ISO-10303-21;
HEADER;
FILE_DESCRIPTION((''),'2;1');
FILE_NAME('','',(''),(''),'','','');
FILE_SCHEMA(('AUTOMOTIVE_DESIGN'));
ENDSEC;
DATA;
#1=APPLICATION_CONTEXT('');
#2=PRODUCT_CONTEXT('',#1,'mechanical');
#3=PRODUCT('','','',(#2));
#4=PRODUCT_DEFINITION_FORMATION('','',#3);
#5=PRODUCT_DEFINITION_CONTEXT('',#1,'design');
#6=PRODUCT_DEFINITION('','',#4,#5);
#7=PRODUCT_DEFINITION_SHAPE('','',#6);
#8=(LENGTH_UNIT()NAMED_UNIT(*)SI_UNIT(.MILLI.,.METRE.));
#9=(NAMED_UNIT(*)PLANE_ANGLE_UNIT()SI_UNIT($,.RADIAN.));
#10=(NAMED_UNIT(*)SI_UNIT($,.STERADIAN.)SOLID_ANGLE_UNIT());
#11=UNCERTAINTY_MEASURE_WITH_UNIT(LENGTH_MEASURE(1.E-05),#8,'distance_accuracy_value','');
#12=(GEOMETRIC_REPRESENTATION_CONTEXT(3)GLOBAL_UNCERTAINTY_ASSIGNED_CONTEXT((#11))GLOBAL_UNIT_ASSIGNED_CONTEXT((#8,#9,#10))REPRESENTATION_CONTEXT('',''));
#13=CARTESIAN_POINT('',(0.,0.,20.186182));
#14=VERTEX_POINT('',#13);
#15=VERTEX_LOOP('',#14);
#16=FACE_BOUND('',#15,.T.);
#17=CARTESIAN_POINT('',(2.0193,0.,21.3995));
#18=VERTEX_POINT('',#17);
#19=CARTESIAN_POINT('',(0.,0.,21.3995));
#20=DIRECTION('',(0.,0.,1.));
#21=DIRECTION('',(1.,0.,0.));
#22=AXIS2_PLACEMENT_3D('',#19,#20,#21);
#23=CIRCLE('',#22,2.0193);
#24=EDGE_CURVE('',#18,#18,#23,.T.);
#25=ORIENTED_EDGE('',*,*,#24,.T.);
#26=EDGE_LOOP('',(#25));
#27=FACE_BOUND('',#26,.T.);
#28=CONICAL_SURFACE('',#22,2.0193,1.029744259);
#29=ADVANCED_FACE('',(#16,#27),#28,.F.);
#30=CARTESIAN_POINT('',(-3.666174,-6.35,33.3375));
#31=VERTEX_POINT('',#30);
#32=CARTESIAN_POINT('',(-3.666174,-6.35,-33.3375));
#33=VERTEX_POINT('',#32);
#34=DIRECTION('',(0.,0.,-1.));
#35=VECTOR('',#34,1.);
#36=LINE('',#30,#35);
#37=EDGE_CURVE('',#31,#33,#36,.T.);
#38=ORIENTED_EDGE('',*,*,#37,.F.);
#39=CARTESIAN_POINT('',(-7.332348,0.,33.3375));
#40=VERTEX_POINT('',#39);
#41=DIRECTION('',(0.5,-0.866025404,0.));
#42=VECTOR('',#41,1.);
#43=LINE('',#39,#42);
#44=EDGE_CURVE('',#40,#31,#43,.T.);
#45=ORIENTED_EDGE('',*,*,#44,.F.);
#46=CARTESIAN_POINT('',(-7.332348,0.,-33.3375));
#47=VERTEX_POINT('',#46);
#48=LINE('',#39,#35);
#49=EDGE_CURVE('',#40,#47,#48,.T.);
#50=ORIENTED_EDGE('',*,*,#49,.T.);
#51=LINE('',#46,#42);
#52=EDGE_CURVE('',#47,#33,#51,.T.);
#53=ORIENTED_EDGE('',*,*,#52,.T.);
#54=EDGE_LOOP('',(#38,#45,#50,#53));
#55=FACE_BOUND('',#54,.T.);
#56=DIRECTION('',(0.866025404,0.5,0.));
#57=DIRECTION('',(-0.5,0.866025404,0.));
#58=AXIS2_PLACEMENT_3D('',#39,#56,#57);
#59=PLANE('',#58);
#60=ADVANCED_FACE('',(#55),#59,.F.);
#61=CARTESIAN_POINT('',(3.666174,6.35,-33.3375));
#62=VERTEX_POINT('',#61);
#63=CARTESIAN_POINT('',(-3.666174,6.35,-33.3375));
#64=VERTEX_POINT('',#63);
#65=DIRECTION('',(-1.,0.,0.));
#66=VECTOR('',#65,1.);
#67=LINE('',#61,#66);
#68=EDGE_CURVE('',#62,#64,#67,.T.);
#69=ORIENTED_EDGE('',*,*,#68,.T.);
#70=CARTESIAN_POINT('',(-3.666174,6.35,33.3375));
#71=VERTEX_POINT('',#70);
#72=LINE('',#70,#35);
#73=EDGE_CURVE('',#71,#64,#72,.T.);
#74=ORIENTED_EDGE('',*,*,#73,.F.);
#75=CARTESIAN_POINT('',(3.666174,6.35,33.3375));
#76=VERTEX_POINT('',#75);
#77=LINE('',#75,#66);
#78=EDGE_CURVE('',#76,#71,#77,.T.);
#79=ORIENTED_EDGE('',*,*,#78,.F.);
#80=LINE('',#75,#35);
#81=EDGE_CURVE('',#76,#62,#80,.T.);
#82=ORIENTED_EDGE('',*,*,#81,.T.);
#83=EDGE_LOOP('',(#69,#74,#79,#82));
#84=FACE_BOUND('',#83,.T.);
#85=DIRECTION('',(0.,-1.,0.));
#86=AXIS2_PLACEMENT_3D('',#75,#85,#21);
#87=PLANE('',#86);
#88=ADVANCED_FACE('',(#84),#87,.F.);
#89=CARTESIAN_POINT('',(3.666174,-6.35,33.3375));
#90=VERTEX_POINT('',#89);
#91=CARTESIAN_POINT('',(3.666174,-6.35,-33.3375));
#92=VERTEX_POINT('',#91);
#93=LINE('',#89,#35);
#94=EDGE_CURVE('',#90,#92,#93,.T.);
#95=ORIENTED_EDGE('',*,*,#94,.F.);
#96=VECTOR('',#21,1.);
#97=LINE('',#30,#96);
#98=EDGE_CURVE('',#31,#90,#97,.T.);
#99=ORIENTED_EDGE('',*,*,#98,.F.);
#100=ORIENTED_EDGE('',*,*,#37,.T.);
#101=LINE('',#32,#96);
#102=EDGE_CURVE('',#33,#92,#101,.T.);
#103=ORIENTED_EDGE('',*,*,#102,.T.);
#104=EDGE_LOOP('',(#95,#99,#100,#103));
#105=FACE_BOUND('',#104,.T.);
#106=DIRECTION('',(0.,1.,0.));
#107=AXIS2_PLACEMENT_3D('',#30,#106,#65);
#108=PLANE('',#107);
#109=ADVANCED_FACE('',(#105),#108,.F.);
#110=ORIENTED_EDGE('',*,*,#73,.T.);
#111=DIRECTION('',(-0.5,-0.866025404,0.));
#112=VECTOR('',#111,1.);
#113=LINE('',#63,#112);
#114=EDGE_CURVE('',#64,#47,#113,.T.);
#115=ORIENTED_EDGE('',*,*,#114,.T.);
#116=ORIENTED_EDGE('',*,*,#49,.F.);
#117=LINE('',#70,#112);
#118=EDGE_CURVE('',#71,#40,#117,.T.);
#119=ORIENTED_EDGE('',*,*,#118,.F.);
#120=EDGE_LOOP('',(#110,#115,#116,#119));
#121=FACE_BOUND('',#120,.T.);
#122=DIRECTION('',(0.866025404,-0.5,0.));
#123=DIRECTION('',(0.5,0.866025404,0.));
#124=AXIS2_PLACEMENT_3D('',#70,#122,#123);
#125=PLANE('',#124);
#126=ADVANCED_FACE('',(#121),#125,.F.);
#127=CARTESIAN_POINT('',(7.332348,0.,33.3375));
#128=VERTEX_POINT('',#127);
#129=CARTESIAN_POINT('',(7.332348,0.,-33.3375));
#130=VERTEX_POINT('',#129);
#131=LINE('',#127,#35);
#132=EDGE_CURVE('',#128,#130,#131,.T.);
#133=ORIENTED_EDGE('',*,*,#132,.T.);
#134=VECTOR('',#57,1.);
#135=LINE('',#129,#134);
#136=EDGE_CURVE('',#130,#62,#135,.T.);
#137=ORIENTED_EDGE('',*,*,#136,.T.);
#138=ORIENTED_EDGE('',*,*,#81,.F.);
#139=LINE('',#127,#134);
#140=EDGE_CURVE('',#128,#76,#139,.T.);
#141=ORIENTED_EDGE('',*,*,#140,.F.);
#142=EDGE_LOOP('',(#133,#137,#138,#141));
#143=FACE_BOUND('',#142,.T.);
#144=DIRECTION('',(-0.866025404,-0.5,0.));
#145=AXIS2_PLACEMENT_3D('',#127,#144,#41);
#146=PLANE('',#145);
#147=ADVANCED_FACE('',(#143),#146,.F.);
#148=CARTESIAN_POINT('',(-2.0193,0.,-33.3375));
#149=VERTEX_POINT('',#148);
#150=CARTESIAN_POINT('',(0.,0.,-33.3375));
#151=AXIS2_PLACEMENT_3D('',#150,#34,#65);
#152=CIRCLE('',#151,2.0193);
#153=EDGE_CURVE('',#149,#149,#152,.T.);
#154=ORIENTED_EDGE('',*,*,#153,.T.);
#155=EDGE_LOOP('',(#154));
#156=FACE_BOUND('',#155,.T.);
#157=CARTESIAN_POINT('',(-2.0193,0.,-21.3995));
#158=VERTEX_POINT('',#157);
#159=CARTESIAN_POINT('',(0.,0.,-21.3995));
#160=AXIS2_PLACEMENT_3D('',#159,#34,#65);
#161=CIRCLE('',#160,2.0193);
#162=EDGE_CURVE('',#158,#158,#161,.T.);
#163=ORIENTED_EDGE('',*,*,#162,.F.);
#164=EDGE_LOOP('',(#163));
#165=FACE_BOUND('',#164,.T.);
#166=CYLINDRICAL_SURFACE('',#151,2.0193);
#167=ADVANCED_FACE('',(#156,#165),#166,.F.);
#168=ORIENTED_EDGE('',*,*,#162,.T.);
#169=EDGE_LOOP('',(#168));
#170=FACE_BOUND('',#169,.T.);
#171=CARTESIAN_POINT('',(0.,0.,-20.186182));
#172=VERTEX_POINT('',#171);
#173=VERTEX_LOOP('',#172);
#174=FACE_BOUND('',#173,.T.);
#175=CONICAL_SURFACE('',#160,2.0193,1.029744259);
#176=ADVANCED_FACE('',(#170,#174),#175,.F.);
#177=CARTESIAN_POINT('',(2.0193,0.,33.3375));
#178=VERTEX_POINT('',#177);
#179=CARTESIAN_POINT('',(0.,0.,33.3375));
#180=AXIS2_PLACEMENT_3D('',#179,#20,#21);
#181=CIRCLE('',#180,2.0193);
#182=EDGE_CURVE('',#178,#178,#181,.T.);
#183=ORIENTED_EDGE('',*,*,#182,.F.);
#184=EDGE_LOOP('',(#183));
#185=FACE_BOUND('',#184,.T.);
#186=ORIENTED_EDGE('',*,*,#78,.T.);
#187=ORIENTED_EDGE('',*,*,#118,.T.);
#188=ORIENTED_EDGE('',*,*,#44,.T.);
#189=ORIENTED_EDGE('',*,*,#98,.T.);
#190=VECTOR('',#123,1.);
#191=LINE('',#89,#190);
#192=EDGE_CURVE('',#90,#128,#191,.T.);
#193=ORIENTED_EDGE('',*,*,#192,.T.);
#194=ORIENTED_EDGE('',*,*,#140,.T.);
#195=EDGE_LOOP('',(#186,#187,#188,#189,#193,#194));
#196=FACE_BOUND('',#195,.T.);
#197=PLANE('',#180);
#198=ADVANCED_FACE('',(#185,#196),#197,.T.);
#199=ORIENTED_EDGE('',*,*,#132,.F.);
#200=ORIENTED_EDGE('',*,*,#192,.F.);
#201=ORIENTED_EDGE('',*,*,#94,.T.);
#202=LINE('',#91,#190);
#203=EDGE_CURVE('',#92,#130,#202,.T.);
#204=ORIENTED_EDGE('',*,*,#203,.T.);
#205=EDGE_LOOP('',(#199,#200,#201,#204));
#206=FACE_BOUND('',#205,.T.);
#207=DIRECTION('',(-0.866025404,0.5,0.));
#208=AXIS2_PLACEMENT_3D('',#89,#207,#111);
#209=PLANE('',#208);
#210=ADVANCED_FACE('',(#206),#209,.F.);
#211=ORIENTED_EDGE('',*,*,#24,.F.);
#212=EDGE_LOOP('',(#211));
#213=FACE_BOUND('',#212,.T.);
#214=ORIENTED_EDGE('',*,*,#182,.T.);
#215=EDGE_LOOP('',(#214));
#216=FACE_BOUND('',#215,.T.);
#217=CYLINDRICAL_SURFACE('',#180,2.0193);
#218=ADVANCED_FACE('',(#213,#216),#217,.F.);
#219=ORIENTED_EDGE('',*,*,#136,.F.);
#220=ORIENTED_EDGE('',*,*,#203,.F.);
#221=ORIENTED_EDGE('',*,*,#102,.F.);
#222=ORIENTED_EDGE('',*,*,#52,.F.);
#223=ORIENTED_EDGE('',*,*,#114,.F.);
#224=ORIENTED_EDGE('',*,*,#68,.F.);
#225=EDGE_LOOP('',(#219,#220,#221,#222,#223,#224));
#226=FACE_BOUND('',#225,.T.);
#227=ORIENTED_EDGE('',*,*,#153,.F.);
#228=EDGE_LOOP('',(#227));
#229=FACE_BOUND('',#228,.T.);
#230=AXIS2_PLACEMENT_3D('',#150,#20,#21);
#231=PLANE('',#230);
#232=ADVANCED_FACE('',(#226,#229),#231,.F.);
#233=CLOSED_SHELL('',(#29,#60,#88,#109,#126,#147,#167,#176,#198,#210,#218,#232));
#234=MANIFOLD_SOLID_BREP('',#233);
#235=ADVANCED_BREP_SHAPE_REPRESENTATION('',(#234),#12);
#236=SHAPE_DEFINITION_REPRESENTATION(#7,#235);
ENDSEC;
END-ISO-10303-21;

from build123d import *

# Parameters (mm, degrees)
BOSS_EXTRUDE1_DEPTH                  = 33.3375
F_10_32_TAPPED_HOLE1_D               = 4.0386
F_10_32_TAPPED_HOLE1_DEPTH           = 11.938
F_10_32_TAPPED_HOLE1_TIP             = 1.213317848
F_10_32_TAPPED_HOLE1_ON_FACE_2_D     = 4.0386
F_10_32_TAPPED_HOLE1_ON_FACE_2_DEPTH = 11.938
F_10_32_TAPPED_HOLE1_ON_FACE_2_TIP   = 1.213317848


with BuildPart() as part:
    # Sketch1 → Boss-Extrude1 (new, symmetric)
    with BuildSketch(Plane.XY):
        Polygon((-7.332348419, 0), (-3.666174209, -6.35), (3.666174209, -6.35), (7.332348419, 0), (3.666174209, 6.35), (-3.666174209, 6.35), align=None)
    extrude(amount=BOSS_EXTRUDE1_DEPTH, both=True)

    # #10-32 Tapped Hole1
    with Locations(Plane.XY.offset(33.3375)):
        with Locations((0, 0)):
            Hole(F_10_32_TAPPED_HOLE1_D / 2, depth=F_10_32_TAPPED_HOLE1_DEPTH)
            with Locations((0, 0, -(F_10_32_TAPPED_HOLE1_DEPTH + F_10_32_TAPPED_HOLE1_TIP / 2))):  # 118° drill point
                Cone(0, F_10_32_TAPPED_HOLE1_D / 2, F_10_32_TAPPED_HOLE1_TIP, mode=Mode.SUBTRACT)

    # #10-32 Tapped Hole1 on face 2
    with Locations(Plane(origin=(0, 0, -33.3375), x_dir=(-1, 0, 0), z_dir=(0, 0, -1))):
        with Locations((0, 0)):
            Hole(F_10_32_TAPPED_HOLE1_ON_FACE_2_D / 2, depth=F_10_32_TAPPED_HOLE1_ON_FACE_2_DEPTH)
            with Locations((0, 0, -(F_10_32_TAPPED_HOLE1_ON_FACE_2_DEPTH + F_10_32_TAPPED_HOLE1_ON_FACE_2_TIP / 2))):  # 118° drill point
                Cone(0, F_10_32_TAPPED_HOLE1_ON_FACE_2_D / 2, F_10_32_TAPPED_HOLE1_ON_FACE_2_TIP, mode=Mode.SUBTRACT)


solid = part.part
